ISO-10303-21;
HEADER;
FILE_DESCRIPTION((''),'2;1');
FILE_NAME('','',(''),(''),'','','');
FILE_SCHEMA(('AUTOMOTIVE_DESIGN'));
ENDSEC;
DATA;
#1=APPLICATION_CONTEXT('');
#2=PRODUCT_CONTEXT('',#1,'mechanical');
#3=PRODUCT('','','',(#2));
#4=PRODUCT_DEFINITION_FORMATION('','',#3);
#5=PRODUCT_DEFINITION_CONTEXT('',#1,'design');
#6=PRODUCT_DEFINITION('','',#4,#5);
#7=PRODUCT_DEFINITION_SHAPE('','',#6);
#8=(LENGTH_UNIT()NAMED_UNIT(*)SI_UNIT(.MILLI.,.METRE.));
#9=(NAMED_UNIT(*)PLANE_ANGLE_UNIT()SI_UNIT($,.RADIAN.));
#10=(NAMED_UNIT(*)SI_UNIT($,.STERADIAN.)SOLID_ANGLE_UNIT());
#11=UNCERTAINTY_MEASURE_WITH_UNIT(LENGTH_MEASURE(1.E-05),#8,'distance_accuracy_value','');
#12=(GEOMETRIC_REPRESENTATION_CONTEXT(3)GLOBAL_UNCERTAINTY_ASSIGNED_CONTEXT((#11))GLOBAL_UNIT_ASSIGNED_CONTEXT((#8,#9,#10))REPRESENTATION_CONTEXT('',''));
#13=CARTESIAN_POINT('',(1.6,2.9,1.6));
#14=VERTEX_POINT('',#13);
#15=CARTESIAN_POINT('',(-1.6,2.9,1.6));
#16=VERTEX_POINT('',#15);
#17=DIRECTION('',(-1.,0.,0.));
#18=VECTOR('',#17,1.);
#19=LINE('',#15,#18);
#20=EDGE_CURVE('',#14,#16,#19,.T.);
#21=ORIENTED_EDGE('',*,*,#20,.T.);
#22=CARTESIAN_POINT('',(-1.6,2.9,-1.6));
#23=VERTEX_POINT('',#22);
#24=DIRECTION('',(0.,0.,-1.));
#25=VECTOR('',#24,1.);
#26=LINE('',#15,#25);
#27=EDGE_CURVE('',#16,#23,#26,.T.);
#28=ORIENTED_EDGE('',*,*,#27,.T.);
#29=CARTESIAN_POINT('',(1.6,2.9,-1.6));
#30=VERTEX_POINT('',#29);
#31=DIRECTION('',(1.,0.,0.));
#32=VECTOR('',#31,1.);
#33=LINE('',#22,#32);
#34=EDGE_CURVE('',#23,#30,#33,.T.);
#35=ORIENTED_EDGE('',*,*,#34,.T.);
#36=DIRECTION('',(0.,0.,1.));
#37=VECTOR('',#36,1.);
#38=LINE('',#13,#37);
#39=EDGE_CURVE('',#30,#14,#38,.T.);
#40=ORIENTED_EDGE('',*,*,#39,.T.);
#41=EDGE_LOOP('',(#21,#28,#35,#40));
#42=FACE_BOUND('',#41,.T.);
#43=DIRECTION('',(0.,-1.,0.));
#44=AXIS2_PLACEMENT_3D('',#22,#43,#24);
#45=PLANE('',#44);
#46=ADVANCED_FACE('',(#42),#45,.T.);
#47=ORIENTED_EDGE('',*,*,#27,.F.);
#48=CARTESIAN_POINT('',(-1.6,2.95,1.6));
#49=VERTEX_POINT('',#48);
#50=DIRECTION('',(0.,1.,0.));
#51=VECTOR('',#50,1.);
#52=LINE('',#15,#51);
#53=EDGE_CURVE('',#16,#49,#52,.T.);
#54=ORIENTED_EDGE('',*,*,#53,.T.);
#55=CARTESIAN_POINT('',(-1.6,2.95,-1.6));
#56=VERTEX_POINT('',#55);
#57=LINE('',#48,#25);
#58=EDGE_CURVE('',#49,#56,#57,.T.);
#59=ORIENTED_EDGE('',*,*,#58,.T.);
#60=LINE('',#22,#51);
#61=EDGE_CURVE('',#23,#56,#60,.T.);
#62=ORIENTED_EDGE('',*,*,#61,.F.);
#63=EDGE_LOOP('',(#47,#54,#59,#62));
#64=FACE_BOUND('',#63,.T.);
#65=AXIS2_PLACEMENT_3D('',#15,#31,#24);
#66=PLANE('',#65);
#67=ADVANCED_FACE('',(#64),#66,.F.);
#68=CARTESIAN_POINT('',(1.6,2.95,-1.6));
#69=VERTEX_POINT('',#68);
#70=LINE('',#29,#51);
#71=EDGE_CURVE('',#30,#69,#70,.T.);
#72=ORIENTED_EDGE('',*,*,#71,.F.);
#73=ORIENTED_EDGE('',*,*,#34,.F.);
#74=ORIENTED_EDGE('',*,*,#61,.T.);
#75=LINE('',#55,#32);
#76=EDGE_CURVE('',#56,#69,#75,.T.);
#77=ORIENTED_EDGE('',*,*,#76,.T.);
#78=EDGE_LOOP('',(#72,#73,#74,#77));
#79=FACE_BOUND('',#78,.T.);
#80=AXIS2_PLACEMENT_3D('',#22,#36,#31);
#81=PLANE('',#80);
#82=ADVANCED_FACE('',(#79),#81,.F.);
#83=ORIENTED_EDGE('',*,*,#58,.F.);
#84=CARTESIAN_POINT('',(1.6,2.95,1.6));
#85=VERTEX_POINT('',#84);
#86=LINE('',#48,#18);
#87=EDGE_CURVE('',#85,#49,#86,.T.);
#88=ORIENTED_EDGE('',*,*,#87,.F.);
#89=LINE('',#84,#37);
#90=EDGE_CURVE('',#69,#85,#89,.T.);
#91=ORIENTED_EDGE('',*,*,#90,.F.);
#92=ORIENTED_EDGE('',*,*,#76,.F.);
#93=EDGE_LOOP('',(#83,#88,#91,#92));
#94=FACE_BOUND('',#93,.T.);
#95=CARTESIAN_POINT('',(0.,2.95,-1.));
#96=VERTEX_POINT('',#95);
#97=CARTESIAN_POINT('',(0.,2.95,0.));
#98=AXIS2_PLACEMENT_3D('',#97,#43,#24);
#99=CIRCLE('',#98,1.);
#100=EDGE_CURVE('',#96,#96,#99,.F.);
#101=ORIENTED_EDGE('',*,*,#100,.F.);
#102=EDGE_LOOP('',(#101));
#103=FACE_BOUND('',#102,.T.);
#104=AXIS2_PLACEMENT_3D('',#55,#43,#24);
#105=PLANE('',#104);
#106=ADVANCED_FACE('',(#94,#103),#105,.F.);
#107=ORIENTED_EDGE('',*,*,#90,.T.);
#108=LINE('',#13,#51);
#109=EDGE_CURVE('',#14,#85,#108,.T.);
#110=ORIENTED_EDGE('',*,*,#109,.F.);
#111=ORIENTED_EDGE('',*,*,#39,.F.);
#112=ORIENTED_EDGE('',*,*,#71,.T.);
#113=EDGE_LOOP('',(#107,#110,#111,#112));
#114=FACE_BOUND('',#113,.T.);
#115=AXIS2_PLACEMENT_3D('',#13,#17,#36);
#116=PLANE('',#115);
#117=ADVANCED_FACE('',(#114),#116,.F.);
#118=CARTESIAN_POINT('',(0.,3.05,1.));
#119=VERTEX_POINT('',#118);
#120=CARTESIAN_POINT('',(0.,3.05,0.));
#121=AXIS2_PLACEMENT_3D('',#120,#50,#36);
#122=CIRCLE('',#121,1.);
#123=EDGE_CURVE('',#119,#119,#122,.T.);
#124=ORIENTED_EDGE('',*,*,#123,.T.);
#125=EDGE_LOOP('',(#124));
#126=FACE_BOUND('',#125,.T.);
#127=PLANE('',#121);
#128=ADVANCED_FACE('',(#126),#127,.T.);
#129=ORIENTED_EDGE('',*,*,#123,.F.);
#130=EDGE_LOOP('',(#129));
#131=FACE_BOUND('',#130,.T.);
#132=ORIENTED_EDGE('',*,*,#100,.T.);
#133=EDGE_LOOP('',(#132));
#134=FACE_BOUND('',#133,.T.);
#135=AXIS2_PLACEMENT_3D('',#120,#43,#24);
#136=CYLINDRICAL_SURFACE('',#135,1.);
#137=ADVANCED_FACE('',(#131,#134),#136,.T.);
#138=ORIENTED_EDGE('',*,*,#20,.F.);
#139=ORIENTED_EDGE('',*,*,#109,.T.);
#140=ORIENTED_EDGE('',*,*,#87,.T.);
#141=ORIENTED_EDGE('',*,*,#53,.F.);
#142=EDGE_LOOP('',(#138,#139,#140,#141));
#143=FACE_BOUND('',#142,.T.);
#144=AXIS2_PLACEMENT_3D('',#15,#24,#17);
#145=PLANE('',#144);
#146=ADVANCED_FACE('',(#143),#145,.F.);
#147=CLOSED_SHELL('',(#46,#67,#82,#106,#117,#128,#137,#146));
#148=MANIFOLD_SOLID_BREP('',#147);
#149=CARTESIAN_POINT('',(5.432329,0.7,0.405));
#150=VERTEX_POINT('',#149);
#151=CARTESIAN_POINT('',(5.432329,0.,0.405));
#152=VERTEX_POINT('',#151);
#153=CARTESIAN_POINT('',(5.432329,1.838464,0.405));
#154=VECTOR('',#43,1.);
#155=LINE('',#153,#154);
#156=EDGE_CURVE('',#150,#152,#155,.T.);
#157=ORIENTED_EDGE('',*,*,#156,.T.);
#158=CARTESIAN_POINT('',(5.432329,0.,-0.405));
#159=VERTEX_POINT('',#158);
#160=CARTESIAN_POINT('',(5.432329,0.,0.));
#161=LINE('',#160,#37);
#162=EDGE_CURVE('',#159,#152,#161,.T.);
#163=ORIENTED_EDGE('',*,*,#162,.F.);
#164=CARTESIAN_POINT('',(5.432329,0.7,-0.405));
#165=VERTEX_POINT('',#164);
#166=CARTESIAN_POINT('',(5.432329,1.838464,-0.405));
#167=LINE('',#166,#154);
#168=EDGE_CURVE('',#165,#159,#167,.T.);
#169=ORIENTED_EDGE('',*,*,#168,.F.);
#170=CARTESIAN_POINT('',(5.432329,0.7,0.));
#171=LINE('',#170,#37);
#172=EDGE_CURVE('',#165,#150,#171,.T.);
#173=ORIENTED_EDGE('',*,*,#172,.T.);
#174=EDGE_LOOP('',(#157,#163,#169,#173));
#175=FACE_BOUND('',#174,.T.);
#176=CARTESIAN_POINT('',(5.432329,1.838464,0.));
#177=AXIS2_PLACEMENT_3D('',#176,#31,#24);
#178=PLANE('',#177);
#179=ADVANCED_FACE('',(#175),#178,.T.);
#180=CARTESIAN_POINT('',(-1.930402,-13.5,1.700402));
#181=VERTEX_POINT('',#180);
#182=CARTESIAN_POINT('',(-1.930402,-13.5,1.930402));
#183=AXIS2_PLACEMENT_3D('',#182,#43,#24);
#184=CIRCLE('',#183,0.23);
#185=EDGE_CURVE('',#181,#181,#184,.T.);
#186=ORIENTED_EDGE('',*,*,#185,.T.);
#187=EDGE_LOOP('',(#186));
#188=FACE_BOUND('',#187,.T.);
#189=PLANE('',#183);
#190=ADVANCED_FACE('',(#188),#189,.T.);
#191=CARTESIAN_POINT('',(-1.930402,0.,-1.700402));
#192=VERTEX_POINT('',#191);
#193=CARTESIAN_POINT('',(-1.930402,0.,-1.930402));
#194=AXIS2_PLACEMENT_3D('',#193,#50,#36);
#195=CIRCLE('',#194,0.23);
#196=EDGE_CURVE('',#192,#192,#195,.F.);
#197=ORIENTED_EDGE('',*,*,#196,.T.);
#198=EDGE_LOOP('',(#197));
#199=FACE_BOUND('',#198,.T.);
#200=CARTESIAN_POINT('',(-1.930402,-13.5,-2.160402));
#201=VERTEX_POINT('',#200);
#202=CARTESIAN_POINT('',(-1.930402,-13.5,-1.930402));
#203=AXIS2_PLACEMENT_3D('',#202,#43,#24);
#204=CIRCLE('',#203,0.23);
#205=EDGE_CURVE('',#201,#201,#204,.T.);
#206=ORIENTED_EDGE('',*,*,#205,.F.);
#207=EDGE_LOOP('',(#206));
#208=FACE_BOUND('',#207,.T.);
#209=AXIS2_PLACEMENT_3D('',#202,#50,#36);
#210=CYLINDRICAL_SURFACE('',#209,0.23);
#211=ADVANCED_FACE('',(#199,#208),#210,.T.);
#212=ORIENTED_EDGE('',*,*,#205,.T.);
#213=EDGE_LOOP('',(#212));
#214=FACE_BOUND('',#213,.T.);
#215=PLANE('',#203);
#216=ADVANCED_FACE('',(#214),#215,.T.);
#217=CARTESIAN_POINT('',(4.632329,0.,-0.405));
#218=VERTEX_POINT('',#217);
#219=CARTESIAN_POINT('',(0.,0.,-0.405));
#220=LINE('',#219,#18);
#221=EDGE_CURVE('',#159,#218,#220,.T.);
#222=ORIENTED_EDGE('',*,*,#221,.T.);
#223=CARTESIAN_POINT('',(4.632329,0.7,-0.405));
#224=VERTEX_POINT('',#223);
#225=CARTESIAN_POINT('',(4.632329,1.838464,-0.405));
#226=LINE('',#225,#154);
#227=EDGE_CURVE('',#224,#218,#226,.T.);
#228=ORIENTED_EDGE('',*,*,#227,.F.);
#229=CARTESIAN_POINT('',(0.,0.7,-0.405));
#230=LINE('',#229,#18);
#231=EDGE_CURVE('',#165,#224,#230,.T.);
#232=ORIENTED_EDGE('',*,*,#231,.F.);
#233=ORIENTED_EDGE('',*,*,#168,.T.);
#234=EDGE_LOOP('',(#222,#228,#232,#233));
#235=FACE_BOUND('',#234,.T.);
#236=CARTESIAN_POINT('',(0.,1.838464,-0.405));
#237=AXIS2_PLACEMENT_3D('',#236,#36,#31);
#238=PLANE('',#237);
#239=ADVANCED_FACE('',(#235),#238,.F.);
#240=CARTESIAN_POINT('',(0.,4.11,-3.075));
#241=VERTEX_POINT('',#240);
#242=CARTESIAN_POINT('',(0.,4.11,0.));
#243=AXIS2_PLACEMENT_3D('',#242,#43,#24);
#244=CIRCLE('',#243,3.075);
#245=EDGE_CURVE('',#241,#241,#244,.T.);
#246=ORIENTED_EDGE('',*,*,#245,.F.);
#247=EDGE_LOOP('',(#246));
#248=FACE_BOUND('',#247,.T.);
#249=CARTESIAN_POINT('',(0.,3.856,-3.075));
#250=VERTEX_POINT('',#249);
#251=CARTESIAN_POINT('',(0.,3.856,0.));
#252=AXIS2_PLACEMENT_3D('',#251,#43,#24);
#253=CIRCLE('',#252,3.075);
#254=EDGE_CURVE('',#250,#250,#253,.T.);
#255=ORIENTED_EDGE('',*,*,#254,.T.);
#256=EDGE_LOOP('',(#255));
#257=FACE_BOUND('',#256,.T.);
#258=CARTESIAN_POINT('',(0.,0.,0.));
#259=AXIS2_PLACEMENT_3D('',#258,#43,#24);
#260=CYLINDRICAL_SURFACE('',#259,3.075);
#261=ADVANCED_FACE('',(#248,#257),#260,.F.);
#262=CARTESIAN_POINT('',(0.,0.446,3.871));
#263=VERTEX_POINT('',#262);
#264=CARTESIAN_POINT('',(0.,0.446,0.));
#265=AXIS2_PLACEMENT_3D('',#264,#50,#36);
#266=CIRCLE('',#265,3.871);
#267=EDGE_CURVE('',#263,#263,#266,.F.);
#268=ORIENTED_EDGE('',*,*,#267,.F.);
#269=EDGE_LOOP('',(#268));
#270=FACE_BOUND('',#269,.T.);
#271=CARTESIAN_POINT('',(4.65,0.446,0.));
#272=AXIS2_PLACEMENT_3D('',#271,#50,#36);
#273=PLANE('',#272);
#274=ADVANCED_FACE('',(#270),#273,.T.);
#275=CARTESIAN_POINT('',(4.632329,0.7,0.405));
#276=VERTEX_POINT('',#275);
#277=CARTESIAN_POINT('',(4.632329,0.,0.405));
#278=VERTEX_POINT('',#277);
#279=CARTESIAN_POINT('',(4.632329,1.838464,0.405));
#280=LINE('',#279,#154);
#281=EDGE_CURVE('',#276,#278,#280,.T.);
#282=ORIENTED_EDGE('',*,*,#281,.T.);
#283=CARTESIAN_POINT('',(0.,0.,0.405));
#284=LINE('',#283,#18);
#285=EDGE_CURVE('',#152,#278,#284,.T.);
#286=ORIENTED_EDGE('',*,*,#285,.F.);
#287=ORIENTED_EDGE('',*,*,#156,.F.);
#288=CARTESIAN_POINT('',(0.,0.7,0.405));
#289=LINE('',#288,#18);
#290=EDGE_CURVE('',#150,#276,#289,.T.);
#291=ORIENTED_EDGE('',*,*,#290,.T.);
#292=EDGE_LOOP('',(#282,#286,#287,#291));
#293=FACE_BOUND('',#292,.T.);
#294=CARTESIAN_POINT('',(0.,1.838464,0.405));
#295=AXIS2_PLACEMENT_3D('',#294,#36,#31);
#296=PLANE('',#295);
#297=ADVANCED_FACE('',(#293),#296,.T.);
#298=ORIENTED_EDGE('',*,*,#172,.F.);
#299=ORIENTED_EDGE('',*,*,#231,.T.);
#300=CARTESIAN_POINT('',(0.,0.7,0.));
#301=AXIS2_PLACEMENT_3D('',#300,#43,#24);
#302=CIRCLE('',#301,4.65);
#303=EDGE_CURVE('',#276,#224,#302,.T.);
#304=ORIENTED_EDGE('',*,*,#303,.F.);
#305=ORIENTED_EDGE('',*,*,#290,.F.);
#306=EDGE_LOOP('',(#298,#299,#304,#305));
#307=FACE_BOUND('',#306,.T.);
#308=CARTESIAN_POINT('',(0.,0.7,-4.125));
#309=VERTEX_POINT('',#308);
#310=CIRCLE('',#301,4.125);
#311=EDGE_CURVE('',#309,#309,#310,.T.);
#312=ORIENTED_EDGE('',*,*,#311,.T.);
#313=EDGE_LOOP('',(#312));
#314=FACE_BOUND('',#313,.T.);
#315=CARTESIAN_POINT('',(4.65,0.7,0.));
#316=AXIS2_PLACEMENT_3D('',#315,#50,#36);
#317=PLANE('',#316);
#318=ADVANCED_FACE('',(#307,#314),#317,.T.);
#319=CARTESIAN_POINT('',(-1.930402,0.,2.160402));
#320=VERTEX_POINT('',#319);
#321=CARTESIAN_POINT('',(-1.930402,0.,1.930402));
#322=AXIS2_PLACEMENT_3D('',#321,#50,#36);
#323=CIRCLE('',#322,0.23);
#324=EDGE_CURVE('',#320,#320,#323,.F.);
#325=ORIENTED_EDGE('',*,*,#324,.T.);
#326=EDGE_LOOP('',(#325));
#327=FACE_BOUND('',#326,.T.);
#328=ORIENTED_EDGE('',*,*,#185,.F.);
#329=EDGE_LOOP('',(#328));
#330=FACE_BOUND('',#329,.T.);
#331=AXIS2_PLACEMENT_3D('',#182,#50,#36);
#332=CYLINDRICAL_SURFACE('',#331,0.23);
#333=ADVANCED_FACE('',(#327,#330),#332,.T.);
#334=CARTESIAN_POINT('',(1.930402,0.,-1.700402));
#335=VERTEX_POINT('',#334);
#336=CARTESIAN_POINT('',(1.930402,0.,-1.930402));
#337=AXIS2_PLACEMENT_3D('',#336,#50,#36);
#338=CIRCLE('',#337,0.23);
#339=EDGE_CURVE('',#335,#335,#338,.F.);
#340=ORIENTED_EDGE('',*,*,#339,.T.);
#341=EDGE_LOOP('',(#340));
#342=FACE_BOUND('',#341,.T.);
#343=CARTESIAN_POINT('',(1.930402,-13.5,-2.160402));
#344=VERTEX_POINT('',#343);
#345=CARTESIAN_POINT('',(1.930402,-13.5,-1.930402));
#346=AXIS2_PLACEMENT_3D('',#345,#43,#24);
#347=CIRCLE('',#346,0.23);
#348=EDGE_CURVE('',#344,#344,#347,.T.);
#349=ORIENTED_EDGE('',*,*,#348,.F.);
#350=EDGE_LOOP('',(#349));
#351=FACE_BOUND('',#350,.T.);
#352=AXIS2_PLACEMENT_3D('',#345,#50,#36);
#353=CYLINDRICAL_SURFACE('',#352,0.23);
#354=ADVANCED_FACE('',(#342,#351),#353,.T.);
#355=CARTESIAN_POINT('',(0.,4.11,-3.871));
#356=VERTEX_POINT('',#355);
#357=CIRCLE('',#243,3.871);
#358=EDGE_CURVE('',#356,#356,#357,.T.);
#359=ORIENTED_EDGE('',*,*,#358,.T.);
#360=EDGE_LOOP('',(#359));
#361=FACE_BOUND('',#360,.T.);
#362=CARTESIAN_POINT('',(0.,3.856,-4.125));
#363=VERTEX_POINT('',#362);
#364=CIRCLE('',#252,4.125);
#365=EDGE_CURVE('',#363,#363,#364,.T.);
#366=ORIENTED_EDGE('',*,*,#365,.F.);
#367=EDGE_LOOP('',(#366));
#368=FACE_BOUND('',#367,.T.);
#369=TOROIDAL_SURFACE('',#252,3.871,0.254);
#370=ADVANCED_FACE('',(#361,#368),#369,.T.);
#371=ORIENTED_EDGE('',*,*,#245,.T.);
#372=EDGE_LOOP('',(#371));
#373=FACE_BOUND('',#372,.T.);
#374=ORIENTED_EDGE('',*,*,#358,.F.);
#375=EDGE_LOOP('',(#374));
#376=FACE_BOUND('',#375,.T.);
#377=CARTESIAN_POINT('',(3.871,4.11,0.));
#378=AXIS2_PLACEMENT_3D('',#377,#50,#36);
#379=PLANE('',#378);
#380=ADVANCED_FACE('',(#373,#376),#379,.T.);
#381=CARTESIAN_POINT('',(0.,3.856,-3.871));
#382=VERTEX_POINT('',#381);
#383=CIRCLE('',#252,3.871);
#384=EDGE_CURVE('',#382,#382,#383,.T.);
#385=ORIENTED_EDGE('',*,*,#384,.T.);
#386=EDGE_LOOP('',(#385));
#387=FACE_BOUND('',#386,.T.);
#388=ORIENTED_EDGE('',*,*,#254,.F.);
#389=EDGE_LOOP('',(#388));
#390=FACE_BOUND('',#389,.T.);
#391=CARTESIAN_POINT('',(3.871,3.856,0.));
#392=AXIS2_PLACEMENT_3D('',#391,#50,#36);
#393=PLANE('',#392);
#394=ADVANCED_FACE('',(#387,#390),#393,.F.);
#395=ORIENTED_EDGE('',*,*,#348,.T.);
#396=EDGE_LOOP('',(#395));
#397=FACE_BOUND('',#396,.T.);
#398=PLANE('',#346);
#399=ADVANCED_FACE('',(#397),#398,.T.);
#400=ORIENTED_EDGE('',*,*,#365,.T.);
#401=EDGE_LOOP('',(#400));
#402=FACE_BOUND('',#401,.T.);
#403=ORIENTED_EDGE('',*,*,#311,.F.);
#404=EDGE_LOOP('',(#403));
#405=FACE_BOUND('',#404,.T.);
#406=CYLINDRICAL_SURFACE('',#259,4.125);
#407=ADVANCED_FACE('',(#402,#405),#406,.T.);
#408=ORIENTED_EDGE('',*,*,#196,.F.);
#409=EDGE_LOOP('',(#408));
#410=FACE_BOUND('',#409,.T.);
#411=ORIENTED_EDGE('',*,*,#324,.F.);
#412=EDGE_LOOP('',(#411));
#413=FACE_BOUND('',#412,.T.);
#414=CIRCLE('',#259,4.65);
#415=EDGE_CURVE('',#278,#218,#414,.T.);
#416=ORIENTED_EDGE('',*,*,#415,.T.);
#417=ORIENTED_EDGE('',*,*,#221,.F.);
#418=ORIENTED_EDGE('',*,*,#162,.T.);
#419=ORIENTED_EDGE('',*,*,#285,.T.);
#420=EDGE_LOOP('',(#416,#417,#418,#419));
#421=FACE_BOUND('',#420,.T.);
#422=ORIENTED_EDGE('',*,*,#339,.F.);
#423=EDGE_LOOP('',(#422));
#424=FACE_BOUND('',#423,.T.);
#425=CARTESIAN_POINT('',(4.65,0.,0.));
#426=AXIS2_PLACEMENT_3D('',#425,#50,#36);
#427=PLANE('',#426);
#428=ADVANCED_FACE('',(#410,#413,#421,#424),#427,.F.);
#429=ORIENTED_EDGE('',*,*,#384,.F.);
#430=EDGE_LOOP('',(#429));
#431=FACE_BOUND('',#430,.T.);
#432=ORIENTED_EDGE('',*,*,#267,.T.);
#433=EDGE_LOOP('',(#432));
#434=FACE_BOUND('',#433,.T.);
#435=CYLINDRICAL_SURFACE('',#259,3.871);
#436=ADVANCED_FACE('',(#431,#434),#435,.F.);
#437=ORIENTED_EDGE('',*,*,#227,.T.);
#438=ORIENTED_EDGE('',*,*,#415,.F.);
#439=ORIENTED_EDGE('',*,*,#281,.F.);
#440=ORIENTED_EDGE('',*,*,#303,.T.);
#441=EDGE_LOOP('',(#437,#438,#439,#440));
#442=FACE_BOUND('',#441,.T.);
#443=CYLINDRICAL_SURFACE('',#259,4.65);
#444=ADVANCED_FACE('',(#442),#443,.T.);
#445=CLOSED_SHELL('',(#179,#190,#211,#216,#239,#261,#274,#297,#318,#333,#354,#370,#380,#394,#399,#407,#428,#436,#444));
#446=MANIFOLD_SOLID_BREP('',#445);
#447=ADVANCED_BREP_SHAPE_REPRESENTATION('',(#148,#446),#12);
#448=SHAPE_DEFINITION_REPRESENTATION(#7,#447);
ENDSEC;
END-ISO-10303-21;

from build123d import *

# Parameters (mm, degrees)
SKETCH2_R           = 4.65
BOSS_EXTRUDE1_DEPTH = 0.446
BOSS_EXTRUDE2_START = -2.95
SKETCH3_W           = 3.2
SKETCH3_H           = 3.2
BOSS_EXTRUDE2_DEPTH = 0.05
SKETCH8_R           = 1
BOSS_EXTRUDE6_DEPTH = 0.1
BOSS_EXTRUDE8_DEPTH = 0.7
SKETCH5_R           = 0.23
BOSS_EXTRUDE4_DEPTH = 13.5


with BuildPart() as part:
    # Sketch1 → Revolve-Thin2 (revolve)
    with BuildSketch(Plane.XY, mode=Mode.PRIVATE) as revolve_thin2_sk:
        with BuildLine():
            Line((4.65, 0), (4.65, 0.7))
            Line((4.65, 0.7), (4.125, 0.7))
            Line((4.125, 0.7), (4.125, 3.856))
            ThreePointArc((4.125, 3.856), (4.050605122, 4.035605122), (3.871, 4.11))
            Line((3.871, 4.11), (3.075, 4.11))
            Line((3.075, 4.11), (3.075, 3.856))
            Line((3.075, 3.856), (3.871, 3.856))
            Line((3.871, 3.856), (3.871, 0.446))
            Line((3.871, 0.446), (4.396, 0.446))
            Line((4.396, 0.446), (4.396, 0))
            Line((4.396, 0), (4.65, 0))
        make_face()
    revolve(revolve_thin2_sk.sketch.rotate(Axis((0, 0, 0), (0, 1, 0)), 90), axis=Axis((0, 0, 0), (0, 1, 0)))  # turned: the seam where the file's is

    # Sketch2 → Boss-Extrude1 (add)
    with BuildSketch(Plane.XZ):
        with Locations(Location((0, 0, 0), (0, 0, 270))):  # turned: the seam where the file's is
            Circle(SKETCH2_R)
    extrude(amount=-BOSS_EXTRUDE1_DEPTH)

    # Sketch11 → Boss-Extrude8 (add)
    with BuildSketch(Plane.XZ):
        with BuildLine():
            Line((5.432329328, -0.405), (5.432329328, 0))
            Line((5.432329328, 0), (5.432329328, 0.405))
            Line((5.432329328, 0.405), (4.632329328, 0.405))
            ThreePointArc((4.632329328, 0.405), (4.645580231, 0.202692657), (4.65, 0))
            ThreePointArc((4.65, 0), (4.645580231, -0.202692657), (4.632329328, -0.405))
            Line((4.632329328, -0.405), (5.432329328, -0.405))
        make_face()
    extrude(amount=-BOSS_EXTRUDE8_DEPTH)

    # Sketch5 → Boss-Extrude4 (add)
    with BuildSketch(Plane.XZ):
        with Locations(Location((1.930401513, -1.930401513, 0), (0, 0, 90))):  # turned: the seam where the file's is
            Circle(SKETCH5_R)
        with Locations(Location((-1.930401513, 1.930401513, 0), (0, 0, 90))):  # turned: the seam where the file's is
            Circle(SKETCH5_R)
        with Locations(Location((-1.930401513, -1.930401513, 0), (0, 0, 90))):  # turned: the seam where the file's is
            Circle(SKETCH5_R)
    extrude(amount=BOSS_EXTRUDE4_DEPTH)


with BuildPart() as body_2:
    # Sketch3 → Boss-Extrude2 (new body)
    with BuildSketch(Plane.XZ.offset(BOSS_EXTRUDE2_START)):
        Rectangle(SKETCH3_W, SKETCH3_H)
    extrude(amount=BOSS_EXTRUDE2_DEPTH)

    # Sketch8 → Boss-Extrude6 (add)
    with BuildSketch(Plane(origin=(0, 2.95, 0), x_dir=(-1, 0, 0), z_dir=(0, 1, 0))):
        with Locations(Location((0, 0, 0), (0, 0, 270))):  # turned: the seam where the file's is
            Circle(SKETCH8_R)
    extrude(amount=BOSS_EXTRUDE6_DEPTH)


solid = Compound([part.part, body_2.part])
